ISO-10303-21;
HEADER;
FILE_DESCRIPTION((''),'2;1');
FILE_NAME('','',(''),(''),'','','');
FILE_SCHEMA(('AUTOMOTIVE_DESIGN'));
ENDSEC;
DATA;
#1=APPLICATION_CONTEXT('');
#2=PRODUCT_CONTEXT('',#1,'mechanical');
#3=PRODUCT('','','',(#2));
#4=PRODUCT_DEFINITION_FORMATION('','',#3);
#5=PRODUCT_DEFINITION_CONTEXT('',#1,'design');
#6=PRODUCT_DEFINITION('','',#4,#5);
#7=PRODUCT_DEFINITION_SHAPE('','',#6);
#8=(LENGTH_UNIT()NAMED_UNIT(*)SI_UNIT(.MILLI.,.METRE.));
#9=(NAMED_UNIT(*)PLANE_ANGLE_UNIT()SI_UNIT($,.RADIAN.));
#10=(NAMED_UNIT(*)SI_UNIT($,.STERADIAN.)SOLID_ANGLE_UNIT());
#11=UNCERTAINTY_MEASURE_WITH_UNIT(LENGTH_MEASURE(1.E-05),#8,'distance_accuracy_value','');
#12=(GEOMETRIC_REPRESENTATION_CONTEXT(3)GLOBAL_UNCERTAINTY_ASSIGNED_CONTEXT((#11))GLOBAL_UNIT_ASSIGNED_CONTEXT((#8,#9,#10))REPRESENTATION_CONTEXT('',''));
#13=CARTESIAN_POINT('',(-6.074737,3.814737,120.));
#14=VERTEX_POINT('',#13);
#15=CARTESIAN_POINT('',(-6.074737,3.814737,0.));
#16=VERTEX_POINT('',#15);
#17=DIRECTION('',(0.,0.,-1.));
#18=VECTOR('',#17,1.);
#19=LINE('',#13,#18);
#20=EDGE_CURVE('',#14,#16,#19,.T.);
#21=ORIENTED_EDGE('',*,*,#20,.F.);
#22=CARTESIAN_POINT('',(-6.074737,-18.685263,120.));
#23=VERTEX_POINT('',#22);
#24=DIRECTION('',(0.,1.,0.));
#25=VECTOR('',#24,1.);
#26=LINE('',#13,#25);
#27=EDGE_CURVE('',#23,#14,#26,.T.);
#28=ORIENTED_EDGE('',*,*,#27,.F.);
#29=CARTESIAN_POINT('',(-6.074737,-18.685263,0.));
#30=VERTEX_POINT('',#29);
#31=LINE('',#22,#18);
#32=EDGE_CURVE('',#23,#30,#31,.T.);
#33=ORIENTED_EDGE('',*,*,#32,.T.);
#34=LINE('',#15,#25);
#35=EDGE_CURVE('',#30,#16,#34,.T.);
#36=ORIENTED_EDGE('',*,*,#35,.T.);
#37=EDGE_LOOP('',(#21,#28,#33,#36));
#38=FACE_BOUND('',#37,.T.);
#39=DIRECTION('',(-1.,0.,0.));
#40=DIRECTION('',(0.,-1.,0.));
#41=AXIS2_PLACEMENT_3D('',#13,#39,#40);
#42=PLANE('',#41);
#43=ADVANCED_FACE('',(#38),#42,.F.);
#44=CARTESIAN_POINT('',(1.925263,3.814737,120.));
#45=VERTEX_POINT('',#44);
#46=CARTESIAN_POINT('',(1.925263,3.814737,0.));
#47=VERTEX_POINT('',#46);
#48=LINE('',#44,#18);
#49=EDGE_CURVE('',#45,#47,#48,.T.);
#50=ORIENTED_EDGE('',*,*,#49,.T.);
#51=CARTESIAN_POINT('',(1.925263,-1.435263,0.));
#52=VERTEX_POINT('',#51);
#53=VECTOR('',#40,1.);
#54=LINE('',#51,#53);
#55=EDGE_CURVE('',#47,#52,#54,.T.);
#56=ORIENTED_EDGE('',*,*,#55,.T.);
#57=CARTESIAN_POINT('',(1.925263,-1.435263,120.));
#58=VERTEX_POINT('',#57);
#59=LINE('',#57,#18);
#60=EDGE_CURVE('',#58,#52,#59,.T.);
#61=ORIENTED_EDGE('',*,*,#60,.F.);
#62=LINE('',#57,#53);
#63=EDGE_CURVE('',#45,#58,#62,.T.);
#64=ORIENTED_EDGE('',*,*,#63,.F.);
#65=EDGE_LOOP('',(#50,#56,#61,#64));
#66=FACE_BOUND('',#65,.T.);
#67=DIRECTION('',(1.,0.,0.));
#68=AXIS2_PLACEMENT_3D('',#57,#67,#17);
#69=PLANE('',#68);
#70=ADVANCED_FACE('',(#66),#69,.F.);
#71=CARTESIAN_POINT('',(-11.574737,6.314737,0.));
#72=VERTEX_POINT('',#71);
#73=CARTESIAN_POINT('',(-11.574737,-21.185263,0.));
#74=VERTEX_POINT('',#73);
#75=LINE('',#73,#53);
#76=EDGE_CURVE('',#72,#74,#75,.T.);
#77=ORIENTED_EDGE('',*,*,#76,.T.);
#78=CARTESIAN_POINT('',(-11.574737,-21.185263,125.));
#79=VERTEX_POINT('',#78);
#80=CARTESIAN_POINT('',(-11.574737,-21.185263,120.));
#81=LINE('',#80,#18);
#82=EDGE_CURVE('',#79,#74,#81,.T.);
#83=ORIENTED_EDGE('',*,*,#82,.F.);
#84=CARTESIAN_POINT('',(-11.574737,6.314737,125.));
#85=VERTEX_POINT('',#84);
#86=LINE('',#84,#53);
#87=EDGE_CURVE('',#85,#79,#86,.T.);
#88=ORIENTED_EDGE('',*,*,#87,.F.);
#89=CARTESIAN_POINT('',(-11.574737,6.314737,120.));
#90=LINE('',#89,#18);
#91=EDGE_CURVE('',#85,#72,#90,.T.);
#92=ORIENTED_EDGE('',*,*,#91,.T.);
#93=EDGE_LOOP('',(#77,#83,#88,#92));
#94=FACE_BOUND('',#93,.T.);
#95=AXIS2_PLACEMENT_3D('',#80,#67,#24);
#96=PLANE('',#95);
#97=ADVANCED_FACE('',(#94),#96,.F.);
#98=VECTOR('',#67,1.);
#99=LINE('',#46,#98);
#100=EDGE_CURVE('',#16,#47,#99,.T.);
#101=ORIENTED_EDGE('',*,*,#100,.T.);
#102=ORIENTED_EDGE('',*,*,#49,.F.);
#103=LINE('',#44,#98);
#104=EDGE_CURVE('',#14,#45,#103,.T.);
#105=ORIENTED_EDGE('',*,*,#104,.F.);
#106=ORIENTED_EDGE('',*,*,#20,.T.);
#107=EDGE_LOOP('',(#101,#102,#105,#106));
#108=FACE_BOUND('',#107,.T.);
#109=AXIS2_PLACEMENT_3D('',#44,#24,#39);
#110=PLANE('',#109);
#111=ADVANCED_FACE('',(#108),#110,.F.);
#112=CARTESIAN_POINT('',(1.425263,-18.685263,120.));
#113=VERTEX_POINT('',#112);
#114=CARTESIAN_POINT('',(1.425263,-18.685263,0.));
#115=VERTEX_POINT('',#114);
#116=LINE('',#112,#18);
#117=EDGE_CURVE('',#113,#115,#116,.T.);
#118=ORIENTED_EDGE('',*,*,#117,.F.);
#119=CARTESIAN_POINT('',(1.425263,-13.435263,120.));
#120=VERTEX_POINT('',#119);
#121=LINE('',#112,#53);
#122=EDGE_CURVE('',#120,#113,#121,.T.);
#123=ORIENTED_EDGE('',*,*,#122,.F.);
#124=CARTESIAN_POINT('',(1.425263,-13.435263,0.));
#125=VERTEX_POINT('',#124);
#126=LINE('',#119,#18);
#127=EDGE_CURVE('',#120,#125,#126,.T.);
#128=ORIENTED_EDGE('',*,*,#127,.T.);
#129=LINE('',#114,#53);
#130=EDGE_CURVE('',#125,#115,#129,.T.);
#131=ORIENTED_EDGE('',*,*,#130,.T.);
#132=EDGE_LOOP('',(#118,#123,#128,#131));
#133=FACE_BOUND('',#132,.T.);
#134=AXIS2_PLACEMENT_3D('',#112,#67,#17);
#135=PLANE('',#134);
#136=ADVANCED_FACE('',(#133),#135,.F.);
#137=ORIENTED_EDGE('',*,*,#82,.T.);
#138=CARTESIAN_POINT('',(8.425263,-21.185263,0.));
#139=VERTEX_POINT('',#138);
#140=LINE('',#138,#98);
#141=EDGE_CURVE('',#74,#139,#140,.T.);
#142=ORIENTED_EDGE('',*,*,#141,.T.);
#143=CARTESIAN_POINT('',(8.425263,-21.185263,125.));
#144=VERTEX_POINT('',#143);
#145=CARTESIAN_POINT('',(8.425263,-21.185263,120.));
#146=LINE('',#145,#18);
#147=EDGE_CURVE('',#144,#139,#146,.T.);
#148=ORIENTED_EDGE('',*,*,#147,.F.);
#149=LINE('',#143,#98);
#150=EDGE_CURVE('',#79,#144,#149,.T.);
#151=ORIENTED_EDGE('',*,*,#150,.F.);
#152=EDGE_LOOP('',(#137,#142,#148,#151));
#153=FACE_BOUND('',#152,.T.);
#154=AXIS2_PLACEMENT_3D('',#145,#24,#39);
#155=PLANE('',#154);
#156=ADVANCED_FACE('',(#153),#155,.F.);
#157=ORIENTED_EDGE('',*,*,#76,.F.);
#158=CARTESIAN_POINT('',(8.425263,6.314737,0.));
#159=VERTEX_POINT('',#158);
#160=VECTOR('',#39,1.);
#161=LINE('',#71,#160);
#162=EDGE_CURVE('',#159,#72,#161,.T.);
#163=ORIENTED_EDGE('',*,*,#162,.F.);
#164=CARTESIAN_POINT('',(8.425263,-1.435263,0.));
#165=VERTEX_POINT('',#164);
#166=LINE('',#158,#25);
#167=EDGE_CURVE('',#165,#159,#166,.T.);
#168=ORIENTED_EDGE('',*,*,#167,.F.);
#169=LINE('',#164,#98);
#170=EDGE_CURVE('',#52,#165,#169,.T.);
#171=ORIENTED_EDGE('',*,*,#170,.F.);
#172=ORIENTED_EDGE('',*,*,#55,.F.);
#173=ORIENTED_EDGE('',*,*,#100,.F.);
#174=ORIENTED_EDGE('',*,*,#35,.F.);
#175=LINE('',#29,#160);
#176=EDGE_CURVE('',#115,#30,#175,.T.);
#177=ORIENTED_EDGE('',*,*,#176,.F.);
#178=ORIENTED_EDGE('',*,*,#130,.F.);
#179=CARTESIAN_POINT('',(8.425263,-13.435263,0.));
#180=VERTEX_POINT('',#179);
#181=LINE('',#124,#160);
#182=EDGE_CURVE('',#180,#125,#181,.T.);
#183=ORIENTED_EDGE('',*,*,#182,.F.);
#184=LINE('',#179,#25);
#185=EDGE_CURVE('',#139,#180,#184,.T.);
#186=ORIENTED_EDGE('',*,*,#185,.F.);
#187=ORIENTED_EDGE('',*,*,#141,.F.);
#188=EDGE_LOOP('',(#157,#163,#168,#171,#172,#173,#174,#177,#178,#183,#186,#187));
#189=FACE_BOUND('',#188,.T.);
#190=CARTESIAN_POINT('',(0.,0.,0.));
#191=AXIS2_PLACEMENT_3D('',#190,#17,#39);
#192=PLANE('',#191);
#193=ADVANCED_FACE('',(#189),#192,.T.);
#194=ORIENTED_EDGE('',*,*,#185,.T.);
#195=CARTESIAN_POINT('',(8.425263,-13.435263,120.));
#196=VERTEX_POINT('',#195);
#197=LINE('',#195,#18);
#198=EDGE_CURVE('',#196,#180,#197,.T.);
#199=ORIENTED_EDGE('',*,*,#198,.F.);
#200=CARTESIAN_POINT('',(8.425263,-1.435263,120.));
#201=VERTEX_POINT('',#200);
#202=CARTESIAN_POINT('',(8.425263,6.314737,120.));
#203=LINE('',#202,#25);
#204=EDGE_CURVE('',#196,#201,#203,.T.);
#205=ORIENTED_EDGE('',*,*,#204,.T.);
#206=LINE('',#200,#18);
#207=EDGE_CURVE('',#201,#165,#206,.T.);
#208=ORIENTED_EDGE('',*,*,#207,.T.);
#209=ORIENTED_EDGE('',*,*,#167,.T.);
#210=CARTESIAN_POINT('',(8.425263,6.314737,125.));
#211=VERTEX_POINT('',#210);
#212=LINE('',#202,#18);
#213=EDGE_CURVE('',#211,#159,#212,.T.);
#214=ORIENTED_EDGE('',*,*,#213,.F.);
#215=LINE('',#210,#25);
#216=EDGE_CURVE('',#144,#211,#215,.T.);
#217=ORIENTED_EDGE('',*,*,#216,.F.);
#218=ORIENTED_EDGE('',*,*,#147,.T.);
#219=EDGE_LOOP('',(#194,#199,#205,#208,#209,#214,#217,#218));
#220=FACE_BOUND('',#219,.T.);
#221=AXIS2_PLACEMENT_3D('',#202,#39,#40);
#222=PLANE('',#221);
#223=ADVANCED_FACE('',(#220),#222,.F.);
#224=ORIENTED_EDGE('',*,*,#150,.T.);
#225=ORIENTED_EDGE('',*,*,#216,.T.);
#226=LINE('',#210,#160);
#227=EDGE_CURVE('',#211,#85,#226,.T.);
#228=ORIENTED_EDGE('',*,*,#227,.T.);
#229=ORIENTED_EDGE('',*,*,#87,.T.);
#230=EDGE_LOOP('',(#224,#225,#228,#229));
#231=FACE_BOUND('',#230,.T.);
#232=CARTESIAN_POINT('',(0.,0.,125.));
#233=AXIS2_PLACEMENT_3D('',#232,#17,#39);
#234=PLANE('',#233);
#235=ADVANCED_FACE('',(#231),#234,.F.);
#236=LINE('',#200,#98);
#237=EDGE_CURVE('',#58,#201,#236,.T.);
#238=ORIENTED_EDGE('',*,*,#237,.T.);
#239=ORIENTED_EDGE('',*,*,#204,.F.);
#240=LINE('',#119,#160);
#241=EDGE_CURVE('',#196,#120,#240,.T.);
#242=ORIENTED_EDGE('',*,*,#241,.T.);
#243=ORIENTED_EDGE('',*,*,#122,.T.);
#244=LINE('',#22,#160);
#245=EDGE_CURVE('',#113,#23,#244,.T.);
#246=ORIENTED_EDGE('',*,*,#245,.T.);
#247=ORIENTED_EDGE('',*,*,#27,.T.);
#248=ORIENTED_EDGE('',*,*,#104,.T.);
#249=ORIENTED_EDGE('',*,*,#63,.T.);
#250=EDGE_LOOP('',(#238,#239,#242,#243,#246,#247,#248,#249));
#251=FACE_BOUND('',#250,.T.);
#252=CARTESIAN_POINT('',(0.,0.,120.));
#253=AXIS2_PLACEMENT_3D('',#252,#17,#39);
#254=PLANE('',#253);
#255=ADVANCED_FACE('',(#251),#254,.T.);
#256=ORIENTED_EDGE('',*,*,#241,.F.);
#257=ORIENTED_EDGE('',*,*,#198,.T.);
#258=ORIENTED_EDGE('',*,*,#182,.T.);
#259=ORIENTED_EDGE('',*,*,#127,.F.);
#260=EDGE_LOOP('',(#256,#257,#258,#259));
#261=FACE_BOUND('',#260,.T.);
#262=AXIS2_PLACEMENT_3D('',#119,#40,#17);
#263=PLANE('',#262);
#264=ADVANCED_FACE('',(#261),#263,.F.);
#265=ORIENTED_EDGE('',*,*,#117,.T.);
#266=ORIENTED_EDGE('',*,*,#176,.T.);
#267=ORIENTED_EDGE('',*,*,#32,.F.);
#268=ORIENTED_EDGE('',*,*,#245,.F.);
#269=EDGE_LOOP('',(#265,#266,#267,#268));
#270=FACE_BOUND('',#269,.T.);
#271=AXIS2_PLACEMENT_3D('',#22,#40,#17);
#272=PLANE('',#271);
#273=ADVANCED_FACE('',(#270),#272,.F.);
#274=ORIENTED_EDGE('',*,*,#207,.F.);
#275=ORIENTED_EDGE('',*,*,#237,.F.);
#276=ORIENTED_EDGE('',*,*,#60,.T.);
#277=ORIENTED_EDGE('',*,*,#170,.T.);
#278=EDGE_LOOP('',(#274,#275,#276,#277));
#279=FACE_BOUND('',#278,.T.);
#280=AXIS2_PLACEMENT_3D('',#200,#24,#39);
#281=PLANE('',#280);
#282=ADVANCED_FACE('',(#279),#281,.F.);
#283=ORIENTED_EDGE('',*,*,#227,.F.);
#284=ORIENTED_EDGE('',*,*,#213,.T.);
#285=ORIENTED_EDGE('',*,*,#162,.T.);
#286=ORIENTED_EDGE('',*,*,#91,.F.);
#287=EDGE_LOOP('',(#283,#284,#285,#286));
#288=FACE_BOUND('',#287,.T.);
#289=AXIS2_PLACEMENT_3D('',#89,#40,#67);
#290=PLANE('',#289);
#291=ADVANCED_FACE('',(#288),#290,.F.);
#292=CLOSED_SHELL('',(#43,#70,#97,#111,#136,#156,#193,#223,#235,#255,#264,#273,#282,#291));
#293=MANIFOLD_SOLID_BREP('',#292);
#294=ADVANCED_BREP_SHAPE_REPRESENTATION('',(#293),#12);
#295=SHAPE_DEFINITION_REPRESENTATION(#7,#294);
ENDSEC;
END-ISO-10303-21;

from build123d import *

# Parameters (mm, degrees)
BOSS_EXTRUDE1_DEPTH = 120
SKETCH2_W           = 20
SKETCH2_H           = 27.5
BOSS_EXTRUDE2_DEPTH = 5


with BuildPart() as part:
    # Sketch1 → Boss-Extrude1 (new body)
    with BuildSketch(Plane.XY):
        Polygon((-11.574736842, 6.314736842), (8.425263158, 6.314736842), (8.425263158, -1.435263158), (1.925263158, -1.435263158), (1.925263158, 3.814736842), (-6.074736842, 3.814736842), (-6.074736842, -18.685263158), (1.425263158, -18.685263158), (1.425263158, -13.435263158), (8.425263158, -13.435263158), (8.425263158, -21.185263158), (-11.574736842, -21.185263158), align=None)
    extrude(amount=BOSS_EXTRUDE1_DEPTH)

    # Sketch2 → Boss-Extrude2 (add)
    with BuildSketch(Plane.XY.offset(120)):
        with Locations((-1.574736842, -7.435263158)):
            Rectangle(SKETCH2_W, SKETCH2_H)
    extrude(amount=BOSS_EXTRUDE2_DEPTH)


solid = part.part
